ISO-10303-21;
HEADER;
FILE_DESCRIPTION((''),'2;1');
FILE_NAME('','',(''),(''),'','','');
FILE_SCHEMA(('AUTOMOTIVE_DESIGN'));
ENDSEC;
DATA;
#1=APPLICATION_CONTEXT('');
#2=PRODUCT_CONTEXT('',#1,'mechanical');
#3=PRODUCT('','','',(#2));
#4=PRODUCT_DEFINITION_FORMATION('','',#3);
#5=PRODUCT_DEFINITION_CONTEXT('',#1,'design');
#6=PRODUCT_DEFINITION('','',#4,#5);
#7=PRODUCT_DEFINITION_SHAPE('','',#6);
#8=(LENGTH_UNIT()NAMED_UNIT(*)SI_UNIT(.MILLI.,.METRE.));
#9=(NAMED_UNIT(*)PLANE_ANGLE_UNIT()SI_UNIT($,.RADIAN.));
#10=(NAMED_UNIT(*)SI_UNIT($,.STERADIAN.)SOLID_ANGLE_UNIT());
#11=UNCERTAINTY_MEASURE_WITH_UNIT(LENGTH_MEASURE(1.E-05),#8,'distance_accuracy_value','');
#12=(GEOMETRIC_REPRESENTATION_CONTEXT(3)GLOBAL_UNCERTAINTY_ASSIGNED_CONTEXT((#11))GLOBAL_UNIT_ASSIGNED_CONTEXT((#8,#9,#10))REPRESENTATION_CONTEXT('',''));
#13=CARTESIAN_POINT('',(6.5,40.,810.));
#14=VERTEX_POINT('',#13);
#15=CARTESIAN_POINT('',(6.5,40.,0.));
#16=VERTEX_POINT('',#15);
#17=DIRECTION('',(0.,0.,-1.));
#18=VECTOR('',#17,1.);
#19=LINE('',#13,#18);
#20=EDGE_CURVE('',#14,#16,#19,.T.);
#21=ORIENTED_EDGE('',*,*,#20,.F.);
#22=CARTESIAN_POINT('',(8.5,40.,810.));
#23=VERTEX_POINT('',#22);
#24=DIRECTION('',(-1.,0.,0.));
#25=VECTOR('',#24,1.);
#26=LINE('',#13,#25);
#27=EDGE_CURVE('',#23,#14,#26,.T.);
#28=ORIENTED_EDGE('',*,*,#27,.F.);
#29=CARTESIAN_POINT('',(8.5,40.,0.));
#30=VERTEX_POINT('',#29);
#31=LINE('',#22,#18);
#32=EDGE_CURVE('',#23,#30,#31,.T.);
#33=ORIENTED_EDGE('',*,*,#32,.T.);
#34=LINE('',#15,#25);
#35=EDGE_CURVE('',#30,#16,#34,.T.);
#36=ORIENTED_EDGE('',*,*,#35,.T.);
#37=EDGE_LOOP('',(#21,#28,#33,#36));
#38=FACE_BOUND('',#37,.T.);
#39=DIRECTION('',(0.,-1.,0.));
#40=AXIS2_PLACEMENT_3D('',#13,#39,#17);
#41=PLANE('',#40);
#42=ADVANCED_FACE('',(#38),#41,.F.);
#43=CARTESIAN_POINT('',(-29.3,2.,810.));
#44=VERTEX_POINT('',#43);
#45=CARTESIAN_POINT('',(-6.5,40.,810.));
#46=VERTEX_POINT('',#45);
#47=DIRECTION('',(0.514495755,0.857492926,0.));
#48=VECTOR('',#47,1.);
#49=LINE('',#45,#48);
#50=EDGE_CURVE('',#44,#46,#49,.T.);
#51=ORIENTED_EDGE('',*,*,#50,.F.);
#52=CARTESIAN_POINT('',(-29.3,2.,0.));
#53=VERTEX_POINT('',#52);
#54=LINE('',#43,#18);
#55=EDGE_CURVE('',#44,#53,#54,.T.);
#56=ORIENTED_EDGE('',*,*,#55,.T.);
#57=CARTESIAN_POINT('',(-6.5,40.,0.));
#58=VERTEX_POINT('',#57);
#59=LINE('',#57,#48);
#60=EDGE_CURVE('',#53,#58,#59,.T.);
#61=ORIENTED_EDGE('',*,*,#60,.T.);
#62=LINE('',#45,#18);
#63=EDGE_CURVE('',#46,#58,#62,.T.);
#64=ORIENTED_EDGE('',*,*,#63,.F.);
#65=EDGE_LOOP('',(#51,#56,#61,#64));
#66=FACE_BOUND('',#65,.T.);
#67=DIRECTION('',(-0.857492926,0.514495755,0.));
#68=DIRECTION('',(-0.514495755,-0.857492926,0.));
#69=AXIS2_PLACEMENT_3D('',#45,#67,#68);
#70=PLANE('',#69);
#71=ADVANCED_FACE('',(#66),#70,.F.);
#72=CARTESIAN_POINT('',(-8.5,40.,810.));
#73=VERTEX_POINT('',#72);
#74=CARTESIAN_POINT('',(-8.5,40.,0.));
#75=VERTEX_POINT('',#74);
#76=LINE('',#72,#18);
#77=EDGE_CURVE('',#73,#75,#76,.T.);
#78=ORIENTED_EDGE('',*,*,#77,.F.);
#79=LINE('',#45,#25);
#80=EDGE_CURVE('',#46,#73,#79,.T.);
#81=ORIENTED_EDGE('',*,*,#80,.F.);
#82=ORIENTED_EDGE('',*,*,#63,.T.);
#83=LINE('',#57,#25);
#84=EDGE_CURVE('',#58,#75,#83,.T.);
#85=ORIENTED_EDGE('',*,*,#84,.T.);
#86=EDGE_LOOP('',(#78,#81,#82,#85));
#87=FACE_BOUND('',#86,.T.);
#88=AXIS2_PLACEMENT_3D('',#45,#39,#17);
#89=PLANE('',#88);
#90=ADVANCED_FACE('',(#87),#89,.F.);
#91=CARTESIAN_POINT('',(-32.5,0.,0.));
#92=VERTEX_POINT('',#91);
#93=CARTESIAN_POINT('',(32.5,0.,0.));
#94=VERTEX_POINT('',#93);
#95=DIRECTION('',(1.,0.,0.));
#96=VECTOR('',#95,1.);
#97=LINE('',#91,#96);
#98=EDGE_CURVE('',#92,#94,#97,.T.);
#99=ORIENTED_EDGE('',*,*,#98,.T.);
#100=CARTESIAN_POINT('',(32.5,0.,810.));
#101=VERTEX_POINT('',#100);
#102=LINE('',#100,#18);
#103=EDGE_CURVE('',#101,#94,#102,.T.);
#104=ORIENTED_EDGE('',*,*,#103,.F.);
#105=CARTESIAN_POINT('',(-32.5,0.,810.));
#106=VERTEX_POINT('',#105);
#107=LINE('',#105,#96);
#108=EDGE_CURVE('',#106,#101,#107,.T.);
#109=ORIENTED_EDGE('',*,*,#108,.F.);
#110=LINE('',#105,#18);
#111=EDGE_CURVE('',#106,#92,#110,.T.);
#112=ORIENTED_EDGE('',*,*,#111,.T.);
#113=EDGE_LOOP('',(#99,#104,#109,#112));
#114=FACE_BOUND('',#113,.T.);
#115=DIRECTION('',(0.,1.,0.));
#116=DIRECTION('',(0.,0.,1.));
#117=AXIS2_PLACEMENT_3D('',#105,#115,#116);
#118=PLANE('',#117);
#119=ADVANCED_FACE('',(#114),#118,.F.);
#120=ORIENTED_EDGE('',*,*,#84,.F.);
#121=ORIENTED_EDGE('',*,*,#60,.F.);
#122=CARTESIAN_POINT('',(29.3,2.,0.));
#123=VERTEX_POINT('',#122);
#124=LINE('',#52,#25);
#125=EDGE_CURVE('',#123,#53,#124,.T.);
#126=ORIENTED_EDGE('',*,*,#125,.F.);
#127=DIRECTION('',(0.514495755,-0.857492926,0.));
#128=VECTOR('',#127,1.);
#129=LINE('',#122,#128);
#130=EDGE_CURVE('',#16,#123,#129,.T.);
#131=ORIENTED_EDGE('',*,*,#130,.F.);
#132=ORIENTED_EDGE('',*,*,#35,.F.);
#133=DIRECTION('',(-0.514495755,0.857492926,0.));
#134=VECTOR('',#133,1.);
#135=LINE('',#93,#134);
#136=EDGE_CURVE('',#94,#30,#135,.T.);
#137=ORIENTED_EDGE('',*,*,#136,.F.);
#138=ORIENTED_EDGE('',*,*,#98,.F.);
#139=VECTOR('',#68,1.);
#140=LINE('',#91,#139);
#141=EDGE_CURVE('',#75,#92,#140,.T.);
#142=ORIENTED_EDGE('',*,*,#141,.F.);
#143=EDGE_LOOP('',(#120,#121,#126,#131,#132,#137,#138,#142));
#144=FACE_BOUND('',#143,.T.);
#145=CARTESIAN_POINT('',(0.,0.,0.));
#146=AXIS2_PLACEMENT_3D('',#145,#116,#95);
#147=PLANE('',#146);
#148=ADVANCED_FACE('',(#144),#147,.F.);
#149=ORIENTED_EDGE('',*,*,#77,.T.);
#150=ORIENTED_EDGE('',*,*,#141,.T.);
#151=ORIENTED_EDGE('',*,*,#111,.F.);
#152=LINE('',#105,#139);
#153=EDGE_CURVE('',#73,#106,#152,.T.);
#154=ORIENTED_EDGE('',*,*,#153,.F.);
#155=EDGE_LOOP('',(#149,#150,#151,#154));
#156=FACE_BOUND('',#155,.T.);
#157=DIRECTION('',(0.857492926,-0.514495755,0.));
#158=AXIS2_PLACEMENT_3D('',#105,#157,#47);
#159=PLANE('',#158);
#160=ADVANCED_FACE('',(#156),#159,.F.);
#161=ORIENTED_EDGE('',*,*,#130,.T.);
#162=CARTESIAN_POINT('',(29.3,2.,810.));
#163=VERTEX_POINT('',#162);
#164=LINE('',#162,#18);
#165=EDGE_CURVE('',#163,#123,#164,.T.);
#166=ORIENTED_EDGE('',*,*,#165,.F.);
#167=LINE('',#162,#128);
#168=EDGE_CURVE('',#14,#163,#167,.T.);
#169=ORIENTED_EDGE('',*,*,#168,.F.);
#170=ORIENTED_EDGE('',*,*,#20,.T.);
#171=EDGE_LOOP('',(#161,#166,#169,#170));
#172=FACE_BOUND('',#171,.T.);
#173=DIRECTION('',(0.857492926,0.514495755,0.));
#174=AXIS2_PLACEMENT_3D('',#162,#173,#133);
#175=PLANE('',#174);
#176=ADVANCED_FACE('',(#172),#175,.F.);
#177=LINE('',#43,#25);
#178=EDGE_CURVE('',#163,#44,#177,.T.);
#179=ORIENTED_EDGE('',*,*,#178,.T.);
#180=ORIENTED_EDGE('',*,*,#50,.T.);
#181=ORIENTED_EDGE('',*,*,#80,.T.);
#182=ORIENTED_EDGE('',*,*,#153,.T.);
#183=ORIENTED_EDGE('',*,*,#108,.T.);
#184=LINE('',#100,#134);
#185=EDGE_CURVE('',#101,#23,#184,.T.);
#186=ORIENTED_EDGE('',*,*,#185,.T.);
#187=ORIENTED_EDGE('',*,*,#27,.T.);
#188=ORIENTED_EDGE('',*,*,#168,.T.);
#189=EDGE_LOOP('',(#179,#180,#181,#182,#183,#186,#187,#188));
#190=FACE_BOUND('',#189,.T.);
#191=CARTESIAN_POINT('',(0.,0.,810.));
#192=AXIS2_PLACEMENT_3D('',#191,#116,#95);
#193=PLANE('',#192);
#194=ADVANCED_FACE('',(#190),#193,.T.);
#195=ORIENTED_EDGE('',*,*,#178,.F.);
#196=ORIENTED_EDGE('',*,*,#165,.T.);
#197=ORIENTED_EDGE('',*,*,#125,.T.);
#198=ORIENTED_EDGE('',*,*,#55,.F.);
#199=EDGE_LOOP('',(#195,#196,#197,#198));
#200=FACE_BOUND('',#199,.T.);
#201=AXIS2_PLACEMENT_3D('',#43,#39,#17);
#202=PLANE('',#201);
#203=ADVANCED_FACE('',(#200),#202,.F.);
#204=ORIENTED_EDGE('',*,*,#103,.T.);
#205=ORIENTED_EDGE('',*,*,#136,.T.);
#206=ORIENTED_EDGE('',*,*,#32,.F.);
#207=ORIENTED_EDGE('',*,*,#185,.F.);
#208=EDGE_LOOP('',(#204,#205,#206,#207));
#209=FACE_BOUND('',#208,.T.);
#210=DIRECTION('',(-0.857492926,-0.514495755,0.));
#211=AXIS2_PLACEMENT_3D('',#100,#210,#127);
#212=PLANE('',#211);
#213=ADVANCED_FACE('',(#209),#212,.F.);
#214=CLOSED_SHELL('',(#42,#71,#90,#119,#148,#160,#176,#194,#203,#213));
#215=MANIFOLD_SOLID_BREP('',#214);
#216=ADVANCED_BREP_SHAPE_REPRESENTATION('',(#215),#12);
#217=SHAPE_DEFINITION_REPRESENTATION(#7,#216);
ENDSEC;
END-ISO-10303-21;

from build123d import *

# Parameters (mm, degrees)
SALIENTE_EXTRUIR1_DEPTH = 810


with BuildPart() as part:
    # Croquis1 → Saliente-Extruir1 (new body)
    with BuildSketch(Plane.XY):
        Polygon((-32.5, 0), (32.5, 0), (8.5, 40), (6.5, 40), (29.3, 2), (-29.3, 2), (-6.5, 40), (-8.5, 40), align=None)
    extrude(amount=SALIENTE_EXTRUIR1_DEPTH)


solid = part.part
